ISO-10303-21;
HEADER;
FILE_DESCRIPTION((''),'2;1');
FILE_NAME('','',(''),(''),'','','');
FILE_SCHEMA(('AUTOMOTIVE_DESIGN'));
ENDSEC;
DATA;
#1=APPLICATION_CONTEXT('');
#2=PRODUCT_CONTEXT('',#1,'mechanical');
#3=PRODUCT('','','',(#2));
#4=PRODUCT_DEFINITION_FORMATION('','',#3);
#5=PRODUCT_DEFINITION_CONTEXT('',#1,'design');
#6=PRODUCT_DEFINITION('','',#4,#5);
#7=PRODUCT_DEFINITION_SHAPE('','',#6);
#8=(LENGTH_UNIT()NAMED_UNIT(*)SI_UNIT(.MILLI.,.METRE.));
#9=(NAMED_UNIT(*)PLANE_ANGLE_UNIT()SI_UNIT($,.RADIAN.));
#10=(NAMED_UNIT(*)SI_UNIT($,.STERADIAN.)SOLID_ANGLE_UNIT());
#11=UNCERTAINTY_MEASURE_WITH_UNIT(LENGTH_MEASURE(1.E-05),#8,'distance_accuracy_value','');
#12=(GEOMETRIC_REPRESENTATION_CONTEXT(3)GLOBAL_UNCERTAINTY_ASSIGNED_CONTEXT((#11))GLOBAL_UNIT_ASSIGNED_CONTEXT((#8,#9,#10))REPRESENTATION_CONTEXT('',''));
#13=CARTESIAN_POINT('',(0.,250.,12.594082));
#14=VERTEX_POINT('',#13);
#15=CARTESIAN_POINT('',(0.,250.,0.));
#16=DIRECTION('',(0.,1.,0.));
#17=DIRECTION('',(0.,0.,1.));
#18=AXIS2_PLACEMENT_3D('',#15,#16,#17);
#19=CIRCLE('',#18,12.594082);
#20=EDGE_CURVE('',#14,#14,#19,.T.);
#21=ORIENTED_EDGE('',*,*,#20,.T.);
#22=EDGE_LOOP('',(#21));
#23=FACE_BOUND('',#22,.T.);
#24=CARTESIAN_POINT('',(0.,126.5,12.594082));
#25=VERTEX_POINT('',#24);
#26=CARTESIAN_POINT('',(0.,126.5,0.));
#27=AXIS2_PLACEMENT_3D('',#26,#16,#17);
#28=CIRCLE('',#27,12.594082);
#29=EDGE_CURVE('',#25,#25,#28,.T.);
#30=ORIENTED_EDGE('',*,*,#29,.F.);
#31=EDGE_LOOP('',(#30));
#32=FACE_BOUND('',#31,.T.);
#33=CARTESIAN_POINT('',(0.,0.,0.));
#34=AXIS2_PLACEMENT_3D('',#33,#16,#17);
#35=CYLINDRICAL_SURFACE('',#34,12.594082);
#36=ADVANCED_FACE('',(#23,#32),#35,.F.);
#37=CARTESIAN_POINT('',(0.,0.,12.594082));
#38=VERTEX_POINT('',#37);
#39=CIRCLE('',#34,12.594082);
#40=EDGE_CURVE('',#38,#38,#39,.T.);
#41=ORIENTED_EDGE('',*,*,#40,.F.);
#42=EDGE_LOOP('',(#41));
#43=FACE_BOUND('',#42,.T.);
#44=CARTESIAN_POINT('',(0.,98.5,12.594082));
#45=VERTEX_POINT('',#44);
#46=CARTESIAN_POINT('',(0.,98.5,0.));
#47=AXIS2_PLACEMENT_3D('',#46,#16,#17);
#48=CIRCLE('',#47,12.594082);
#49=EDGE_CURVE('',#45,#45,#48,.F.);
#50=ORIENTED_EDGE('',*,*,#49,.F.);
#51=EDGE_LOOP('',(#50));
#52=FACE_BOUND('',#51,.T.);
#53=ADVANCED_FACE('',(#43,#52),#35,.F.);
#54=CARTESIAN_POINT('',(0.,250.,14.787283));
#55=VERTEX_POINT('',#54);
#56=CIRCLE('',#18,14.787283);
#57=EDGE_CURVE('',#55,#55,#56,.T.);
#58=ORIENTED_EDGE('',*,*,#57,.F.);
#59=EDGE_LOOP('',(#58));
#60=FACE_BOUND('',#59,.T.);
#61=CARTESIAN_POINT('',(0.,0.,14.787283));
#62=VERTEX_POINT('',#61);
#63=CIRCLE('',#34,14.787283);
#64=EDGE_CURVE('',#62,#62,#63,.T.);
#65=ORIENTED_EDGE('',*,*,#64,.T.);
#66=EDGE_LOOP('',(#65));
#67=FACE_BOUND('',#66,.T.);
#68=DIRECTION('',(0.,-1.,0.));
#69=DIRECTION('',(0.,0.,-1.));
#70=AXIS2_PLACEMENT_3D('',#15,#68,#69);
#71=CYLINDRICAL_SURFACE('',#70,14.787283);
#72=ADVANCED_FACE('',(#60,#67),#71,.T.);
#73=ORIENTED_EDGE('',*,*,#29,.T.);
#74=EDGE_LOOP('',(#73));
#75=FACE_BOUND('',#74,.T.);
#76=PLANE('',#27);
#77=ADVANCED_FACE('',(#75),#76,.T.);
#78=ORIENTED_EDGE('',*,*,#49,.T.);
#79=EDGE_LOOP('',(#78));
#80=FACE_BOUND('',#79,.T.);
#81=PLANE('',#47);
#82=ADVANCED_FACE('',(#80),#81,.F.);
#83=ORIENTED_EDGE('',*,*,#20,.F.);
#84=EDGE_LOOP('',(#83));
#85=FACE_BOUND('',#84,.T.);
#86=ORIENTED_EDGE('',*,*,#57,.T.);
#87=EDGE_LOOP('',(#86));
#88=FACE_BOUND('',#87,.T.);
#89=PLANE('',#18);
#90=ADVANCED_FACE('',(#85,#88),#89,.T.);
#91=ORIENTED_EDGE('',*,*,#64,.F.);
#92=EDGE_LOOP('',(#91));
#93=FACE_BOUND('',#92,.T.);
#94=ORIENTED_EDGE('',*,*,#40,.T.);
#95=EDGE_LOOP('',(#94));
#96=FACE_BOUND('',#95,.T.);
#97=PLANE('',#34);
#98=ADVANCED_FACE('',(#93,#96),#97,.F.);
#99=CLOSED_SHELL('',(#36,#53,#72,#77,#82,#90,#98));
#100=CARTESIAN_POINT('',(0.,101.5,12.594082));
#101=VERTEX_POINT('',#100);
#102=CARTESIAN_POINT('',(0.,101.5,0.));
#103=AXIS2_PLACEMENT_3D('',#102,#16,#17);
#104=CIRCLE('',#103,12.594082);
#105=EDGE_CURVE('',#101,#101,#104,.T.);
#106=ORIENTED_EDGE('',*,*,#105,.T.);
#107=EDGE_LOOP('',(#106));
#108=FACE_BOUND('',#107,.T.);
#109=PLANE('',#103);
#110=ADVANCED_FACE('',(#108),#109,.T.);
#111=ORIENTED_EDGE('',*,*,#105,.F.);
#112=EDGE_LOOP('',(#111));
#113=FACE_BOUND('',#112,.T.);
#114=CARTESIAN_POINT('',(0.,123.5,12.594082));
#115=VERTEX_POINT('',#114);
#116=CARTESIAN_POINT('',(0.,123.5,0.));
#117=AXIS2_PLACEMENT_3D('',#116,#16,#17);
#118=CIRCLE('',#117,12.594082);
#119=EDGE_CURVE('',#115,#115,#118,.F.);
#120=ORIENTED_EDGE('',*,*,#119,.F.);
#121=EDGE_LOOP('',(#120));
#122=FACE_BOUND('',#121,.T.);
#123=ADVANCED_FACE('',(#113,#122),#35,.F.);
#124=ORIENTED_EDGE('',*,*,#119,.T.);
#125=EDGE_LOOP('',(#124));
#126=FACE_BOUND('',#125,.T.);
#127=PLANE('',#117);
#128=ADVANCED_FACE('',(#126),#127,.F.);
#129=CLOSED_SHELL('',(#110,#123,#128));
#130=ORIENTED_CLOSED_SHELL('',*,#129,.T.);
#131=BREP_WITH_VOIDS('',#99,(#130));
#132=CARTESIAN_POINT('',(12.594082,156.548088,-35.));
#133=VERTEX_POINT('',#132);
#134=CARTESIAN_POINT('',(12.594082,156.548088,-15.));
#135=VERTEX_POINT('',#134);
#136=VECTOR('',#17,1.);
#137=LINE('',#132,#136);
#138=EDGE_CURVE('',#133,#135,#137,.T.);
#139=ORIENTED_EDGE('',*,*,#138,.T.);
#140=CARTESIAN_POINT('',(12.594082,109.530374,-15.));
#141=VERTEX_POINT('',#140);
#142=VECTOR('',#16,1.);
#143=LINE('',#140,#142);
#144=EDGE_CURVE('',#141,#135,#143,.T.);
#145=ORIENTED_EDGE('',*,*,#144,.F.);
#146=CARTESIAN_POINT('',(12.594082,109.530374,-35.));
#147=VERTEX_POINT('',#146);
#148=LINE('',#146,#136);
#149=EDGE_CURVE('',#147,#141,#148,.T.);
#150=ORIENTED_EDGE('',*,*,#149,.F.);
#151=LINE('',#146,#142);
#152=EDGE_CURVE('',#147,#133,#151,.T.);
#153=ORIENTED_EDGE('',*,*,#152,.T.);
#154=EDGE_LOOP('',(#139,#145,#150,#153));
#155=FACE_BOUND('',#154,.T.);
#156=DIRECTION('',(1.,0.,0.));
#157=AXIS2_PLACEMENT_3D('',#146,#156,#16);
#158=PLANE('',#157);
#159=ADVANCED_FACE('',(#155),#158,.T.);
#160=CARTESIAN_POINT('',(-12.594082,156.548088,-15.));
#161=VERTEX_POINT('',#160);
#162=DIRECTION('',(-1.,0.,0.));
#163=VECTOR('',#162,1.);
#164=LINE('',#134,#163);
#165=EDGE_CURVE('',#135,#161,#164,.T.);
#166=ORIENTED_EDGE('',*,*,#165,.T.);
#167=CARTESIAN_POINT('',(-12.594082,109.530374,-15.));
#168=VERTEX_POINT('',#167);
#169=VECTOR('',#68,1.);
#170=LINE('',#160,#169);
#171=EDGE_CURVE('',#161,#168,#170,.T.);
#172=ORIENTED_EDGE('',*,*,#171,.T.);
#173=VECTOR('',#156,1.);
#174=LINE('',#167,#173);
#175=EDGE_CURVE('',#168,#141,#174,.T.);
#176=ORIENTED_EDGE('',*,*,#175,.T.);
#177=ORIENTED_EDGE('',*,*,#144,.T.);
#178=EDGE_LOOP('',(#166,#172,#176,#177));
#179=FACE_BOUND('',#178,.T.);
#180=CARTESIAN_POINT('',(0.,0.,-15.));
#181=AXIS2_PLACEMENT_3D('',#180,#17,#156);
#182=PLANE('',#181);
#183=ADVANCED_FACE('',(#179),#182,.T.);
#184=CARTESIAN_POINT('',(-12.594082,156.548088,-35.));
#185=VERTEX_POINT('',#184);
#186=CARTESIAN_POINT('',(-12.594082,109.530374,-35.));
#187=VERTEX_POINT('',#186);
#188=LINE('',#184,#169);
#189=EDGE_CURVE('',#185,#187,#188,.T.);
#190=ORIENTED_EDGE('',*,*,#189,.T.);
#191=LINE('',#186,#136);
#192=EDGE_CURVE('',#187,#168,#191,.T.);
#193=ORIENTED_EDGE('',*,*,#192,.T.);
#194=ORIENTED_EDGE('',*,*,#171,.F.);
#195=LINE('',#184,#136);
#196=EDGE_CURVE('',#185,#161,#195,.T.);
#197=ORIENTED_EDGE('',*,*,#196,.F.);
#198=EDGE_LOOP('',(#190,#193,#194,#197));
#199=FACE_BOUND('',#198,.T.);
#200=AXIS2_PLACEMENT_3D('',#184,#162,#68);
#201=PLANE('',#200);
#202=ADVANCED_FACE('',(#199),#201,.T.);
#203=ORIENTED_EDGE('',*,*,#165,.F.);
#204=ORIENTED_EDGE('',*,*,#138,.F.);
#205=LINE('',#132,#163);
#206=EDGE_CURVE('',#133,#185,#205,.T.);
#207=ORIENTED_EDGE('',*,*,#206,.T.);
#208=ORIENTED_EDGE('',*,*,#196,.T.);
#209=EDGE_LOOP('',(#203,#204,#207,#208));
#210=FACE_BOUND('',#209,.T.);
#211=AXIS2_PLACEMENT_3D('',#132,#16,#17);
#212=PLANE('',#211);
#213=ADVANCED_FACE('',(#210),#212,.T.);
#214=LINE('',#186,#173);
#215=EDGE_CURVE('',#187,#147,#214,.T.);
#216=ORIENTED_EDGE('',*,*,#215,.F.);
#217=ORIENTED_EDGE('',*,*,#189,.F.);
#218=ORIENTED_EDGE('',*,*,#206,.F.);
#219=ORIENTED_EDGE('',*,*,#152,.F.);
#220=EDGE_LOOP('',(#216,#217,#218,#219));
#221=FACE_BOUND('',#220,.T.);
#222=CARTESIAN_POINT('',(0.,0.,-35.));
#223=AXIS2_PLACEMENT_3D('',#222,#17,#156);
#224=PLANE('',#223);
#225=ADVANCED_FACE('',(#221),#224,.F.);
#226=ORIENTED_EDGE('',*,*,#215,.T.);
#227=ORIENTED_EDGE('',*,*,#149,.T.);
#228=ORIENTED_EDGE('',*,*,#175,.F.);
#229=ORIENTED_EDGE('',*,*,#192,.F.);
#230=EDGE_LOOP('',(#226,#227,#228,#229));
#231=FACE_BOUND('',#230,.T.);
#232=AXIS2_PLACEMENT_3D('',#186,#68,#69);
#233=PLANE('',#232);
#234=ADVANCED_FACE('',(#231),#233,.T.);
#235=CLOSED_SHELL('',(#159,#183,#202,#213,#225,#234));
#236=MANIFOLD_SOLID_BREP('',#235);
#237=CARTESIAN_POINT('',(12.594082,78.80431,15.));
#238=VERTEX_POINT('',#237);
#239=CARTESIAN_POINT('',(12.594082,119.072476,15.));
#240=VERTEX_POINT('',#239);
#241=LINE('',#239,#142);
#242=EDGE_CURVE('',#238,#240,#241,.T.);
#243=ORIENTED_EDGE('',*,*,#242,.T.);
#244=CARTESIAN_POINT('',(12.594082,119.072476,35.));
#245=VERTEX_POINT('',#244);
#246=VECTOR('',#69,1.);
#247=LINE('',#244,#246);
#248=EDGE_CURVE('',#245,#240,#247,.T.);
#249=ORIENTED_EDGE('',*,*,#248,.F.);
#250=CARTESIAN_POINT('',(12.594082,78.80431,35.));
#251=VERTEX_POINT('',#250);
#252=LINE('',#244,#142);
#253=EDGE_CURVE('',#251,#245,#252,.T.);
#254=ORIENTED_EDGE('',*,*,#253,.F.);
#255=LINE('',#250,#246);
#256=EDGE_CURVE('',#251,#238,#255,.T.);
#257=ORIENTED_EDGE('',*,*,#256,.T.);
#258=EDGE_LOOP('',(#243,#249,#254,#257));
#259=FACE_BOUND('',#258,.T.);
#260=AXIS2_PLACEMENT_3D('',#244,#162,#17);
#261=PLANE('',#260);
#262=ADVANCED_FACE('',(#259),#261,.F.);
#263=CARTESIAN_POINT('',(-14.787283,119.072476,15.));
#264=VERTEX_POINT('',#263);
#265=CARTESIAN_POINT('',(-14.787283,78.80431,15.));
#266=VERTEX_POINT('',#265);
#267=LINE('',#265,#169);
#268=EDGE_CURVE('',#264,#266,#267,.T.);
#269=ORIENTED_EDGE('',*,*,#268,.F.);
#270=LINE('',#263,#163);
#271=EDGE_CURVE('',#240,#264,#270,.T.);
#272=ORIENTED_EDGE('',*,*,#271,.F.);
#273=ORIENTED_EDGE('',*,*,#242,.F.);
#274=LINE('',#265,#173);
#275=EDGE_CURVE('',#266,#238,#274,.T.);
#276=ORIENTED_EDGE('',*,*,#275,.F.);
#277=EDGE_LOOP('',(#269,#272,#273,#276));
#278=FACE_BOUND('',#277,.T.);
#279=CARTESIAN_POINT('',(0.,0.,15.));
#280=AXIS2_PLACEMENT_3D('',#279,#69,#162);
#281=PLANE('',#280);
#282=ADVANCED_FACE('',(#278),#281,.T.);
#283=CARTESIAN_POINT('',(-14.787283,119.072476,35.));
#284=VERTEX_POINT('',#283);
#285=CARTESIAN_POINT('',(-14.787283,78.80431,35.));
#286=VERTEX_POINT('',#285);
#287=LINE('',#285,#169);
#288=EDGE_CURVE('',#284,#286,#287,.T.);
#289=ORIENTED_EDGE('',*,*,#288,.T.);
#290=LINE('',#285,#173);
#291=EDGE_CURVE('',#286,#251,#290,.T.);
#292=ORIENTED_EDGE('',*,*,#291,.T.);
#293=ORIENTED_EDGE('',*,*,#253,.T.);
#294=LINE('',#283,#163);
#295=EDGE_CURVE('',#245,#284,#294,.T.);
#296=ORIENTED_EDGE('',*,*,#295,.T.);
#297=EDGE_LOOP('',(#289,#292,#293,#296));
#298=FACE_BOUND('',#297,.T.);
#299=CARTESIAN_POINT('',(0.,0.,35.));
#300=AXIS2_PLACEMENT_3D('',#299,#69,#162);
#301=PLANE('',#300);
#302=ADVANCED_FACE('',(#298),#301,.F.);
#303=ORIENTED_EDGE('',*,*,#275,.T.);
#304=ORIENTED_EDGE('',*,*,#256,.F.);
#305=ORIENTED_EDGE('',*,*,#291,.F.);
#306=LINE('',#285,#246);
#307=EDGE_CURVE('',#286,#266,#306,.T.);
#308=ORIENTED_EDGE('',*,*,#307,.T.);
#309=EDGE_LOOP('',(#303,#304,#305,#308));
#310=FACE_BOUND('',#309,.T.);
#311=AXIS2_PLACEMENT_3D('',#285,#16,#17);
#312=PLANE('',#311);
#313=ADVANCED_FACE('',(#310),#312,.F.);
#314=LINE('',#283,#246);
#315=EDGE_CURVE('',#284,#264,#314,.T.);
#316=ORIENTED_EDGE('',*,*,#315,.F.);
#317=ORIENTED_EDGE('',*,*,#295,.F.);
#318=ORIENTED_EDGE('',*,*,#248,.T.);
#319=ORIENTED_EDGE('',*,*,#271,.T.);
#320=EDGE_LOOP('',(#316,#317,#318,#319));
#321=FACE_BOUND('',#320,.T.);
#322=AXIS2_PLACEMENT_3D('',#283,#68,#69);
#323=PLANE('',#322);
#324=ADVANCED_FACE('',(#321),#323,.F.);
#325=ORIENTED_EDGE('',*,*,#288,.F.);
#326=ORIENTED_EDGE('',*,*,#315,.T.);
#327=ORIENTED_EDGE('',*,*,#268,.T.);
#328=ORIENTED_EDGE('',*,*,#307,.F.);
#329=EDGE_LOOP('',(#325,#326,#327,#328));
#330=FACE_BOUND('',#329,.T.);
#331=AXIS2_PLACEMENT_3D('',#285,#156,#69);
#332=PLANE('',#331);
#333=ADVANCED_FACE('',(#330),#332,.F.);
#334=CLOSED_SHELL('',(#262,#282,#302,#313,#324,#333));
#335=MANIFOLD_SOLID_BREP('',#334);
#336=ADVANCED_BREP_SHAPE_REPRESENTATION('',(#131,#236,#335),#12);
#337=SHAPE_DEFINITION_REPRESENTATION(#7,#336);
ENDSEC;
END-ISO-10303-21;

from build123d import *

# Parameters (mm, degrees)
SKETCH1_R           = 14.78728341
BOSS_EXTRUDE1_DEPTH = 250
SKETCH2_R           = 12.59408245
CUT_EXTRUDE1_DEPTH  = 250
SKETCH4_R           = 12.59408245
BOSS_EXTRUDE2_DEPTH = 1.5
SKETCH5_R           = 12.59408245
BOSS_EXTRUDE3_DEPTH = 1.5
SKETCH7_W           = 27.38136586
SKETCH7_H           = 40.26816594
BOSS_EXTRUDE4_DEPTH = 20
SKETCH8_W           = 25.1881649
SKETCH8_H           = 47.017714204
BOSS_EXTRUDE5_DEPTH = 20


with BuildPart() as part:
    # Sketch1 → Boss-Extrude1 (new body)
    with BuildSketch(Plane(origin=(0, 0, 0), x_dir=(1, 0, 0), z_dir=(0, 1, 0))):
        Circle(SKETCH1_R)
    extrude(amount=BOSS_EXTRUDE1_DEPTH)

    # Sketch2 → Cut-Extrude1 (cut)
    with BuildSketch(Plane(origin=(0, 250, 0), x_dir=(1, 0, 0), z_dir=(0, 1, 0))):
        Circle(SKETCH2_R)
    extrude(amount=-CUT_EXTRUDE1_DEPTH, mode=Mode.SUBTRACT)

    # Sketch4 → Boss-Extrude2 (add, symmetric)
    with BuildSketch(Plane(origin=(0, 125, 0), x_dir=(1, 0, 0), z_dir=(0, 1, 0))):
        Circle(SKETCH4_R)
    extrude(amount=BOSS_EXTRUDE2_DEPTH, both=True)

    # Sketch5 → Boss-Extrude3 (add, symmetric)
    with BuildSketch(Plane(origin=(0, 100, 0), x_dir=(1, 0, 0), z_dir=(0, 1, 0))):
        Circle(SKETCH5_R)
    extrude(amount=BOSS_EXTRUDE3_DEPTH, both=True)


with BuildPart() as body_2:
    # Sketch7 → Boss-Extrude4 (new body)
    with BuildSketch(Plane.XY.offset(15)):
        with Locations((-1.09660048, 98.938392556)):
            Rectangle(SKETCH7_W, SKETCH7_H)
    extrude(amount=BOSS_EXTRUDE4_DEPTH)


with BuildPart() as body_3:
    # Sketch8 → Boss-Extrude5 (new body)
    with BuildSketch(Plane.XY.offset(-15)):
        with Locations((0, 133.039230776)):
            Rectangle(SKETCH8_W, SKETCH8_H)
    extrude(amount=-BOSS_EXTRUDE5_DEPTH)


solid = Compound([part.part, body_2.part, body_3.part])
